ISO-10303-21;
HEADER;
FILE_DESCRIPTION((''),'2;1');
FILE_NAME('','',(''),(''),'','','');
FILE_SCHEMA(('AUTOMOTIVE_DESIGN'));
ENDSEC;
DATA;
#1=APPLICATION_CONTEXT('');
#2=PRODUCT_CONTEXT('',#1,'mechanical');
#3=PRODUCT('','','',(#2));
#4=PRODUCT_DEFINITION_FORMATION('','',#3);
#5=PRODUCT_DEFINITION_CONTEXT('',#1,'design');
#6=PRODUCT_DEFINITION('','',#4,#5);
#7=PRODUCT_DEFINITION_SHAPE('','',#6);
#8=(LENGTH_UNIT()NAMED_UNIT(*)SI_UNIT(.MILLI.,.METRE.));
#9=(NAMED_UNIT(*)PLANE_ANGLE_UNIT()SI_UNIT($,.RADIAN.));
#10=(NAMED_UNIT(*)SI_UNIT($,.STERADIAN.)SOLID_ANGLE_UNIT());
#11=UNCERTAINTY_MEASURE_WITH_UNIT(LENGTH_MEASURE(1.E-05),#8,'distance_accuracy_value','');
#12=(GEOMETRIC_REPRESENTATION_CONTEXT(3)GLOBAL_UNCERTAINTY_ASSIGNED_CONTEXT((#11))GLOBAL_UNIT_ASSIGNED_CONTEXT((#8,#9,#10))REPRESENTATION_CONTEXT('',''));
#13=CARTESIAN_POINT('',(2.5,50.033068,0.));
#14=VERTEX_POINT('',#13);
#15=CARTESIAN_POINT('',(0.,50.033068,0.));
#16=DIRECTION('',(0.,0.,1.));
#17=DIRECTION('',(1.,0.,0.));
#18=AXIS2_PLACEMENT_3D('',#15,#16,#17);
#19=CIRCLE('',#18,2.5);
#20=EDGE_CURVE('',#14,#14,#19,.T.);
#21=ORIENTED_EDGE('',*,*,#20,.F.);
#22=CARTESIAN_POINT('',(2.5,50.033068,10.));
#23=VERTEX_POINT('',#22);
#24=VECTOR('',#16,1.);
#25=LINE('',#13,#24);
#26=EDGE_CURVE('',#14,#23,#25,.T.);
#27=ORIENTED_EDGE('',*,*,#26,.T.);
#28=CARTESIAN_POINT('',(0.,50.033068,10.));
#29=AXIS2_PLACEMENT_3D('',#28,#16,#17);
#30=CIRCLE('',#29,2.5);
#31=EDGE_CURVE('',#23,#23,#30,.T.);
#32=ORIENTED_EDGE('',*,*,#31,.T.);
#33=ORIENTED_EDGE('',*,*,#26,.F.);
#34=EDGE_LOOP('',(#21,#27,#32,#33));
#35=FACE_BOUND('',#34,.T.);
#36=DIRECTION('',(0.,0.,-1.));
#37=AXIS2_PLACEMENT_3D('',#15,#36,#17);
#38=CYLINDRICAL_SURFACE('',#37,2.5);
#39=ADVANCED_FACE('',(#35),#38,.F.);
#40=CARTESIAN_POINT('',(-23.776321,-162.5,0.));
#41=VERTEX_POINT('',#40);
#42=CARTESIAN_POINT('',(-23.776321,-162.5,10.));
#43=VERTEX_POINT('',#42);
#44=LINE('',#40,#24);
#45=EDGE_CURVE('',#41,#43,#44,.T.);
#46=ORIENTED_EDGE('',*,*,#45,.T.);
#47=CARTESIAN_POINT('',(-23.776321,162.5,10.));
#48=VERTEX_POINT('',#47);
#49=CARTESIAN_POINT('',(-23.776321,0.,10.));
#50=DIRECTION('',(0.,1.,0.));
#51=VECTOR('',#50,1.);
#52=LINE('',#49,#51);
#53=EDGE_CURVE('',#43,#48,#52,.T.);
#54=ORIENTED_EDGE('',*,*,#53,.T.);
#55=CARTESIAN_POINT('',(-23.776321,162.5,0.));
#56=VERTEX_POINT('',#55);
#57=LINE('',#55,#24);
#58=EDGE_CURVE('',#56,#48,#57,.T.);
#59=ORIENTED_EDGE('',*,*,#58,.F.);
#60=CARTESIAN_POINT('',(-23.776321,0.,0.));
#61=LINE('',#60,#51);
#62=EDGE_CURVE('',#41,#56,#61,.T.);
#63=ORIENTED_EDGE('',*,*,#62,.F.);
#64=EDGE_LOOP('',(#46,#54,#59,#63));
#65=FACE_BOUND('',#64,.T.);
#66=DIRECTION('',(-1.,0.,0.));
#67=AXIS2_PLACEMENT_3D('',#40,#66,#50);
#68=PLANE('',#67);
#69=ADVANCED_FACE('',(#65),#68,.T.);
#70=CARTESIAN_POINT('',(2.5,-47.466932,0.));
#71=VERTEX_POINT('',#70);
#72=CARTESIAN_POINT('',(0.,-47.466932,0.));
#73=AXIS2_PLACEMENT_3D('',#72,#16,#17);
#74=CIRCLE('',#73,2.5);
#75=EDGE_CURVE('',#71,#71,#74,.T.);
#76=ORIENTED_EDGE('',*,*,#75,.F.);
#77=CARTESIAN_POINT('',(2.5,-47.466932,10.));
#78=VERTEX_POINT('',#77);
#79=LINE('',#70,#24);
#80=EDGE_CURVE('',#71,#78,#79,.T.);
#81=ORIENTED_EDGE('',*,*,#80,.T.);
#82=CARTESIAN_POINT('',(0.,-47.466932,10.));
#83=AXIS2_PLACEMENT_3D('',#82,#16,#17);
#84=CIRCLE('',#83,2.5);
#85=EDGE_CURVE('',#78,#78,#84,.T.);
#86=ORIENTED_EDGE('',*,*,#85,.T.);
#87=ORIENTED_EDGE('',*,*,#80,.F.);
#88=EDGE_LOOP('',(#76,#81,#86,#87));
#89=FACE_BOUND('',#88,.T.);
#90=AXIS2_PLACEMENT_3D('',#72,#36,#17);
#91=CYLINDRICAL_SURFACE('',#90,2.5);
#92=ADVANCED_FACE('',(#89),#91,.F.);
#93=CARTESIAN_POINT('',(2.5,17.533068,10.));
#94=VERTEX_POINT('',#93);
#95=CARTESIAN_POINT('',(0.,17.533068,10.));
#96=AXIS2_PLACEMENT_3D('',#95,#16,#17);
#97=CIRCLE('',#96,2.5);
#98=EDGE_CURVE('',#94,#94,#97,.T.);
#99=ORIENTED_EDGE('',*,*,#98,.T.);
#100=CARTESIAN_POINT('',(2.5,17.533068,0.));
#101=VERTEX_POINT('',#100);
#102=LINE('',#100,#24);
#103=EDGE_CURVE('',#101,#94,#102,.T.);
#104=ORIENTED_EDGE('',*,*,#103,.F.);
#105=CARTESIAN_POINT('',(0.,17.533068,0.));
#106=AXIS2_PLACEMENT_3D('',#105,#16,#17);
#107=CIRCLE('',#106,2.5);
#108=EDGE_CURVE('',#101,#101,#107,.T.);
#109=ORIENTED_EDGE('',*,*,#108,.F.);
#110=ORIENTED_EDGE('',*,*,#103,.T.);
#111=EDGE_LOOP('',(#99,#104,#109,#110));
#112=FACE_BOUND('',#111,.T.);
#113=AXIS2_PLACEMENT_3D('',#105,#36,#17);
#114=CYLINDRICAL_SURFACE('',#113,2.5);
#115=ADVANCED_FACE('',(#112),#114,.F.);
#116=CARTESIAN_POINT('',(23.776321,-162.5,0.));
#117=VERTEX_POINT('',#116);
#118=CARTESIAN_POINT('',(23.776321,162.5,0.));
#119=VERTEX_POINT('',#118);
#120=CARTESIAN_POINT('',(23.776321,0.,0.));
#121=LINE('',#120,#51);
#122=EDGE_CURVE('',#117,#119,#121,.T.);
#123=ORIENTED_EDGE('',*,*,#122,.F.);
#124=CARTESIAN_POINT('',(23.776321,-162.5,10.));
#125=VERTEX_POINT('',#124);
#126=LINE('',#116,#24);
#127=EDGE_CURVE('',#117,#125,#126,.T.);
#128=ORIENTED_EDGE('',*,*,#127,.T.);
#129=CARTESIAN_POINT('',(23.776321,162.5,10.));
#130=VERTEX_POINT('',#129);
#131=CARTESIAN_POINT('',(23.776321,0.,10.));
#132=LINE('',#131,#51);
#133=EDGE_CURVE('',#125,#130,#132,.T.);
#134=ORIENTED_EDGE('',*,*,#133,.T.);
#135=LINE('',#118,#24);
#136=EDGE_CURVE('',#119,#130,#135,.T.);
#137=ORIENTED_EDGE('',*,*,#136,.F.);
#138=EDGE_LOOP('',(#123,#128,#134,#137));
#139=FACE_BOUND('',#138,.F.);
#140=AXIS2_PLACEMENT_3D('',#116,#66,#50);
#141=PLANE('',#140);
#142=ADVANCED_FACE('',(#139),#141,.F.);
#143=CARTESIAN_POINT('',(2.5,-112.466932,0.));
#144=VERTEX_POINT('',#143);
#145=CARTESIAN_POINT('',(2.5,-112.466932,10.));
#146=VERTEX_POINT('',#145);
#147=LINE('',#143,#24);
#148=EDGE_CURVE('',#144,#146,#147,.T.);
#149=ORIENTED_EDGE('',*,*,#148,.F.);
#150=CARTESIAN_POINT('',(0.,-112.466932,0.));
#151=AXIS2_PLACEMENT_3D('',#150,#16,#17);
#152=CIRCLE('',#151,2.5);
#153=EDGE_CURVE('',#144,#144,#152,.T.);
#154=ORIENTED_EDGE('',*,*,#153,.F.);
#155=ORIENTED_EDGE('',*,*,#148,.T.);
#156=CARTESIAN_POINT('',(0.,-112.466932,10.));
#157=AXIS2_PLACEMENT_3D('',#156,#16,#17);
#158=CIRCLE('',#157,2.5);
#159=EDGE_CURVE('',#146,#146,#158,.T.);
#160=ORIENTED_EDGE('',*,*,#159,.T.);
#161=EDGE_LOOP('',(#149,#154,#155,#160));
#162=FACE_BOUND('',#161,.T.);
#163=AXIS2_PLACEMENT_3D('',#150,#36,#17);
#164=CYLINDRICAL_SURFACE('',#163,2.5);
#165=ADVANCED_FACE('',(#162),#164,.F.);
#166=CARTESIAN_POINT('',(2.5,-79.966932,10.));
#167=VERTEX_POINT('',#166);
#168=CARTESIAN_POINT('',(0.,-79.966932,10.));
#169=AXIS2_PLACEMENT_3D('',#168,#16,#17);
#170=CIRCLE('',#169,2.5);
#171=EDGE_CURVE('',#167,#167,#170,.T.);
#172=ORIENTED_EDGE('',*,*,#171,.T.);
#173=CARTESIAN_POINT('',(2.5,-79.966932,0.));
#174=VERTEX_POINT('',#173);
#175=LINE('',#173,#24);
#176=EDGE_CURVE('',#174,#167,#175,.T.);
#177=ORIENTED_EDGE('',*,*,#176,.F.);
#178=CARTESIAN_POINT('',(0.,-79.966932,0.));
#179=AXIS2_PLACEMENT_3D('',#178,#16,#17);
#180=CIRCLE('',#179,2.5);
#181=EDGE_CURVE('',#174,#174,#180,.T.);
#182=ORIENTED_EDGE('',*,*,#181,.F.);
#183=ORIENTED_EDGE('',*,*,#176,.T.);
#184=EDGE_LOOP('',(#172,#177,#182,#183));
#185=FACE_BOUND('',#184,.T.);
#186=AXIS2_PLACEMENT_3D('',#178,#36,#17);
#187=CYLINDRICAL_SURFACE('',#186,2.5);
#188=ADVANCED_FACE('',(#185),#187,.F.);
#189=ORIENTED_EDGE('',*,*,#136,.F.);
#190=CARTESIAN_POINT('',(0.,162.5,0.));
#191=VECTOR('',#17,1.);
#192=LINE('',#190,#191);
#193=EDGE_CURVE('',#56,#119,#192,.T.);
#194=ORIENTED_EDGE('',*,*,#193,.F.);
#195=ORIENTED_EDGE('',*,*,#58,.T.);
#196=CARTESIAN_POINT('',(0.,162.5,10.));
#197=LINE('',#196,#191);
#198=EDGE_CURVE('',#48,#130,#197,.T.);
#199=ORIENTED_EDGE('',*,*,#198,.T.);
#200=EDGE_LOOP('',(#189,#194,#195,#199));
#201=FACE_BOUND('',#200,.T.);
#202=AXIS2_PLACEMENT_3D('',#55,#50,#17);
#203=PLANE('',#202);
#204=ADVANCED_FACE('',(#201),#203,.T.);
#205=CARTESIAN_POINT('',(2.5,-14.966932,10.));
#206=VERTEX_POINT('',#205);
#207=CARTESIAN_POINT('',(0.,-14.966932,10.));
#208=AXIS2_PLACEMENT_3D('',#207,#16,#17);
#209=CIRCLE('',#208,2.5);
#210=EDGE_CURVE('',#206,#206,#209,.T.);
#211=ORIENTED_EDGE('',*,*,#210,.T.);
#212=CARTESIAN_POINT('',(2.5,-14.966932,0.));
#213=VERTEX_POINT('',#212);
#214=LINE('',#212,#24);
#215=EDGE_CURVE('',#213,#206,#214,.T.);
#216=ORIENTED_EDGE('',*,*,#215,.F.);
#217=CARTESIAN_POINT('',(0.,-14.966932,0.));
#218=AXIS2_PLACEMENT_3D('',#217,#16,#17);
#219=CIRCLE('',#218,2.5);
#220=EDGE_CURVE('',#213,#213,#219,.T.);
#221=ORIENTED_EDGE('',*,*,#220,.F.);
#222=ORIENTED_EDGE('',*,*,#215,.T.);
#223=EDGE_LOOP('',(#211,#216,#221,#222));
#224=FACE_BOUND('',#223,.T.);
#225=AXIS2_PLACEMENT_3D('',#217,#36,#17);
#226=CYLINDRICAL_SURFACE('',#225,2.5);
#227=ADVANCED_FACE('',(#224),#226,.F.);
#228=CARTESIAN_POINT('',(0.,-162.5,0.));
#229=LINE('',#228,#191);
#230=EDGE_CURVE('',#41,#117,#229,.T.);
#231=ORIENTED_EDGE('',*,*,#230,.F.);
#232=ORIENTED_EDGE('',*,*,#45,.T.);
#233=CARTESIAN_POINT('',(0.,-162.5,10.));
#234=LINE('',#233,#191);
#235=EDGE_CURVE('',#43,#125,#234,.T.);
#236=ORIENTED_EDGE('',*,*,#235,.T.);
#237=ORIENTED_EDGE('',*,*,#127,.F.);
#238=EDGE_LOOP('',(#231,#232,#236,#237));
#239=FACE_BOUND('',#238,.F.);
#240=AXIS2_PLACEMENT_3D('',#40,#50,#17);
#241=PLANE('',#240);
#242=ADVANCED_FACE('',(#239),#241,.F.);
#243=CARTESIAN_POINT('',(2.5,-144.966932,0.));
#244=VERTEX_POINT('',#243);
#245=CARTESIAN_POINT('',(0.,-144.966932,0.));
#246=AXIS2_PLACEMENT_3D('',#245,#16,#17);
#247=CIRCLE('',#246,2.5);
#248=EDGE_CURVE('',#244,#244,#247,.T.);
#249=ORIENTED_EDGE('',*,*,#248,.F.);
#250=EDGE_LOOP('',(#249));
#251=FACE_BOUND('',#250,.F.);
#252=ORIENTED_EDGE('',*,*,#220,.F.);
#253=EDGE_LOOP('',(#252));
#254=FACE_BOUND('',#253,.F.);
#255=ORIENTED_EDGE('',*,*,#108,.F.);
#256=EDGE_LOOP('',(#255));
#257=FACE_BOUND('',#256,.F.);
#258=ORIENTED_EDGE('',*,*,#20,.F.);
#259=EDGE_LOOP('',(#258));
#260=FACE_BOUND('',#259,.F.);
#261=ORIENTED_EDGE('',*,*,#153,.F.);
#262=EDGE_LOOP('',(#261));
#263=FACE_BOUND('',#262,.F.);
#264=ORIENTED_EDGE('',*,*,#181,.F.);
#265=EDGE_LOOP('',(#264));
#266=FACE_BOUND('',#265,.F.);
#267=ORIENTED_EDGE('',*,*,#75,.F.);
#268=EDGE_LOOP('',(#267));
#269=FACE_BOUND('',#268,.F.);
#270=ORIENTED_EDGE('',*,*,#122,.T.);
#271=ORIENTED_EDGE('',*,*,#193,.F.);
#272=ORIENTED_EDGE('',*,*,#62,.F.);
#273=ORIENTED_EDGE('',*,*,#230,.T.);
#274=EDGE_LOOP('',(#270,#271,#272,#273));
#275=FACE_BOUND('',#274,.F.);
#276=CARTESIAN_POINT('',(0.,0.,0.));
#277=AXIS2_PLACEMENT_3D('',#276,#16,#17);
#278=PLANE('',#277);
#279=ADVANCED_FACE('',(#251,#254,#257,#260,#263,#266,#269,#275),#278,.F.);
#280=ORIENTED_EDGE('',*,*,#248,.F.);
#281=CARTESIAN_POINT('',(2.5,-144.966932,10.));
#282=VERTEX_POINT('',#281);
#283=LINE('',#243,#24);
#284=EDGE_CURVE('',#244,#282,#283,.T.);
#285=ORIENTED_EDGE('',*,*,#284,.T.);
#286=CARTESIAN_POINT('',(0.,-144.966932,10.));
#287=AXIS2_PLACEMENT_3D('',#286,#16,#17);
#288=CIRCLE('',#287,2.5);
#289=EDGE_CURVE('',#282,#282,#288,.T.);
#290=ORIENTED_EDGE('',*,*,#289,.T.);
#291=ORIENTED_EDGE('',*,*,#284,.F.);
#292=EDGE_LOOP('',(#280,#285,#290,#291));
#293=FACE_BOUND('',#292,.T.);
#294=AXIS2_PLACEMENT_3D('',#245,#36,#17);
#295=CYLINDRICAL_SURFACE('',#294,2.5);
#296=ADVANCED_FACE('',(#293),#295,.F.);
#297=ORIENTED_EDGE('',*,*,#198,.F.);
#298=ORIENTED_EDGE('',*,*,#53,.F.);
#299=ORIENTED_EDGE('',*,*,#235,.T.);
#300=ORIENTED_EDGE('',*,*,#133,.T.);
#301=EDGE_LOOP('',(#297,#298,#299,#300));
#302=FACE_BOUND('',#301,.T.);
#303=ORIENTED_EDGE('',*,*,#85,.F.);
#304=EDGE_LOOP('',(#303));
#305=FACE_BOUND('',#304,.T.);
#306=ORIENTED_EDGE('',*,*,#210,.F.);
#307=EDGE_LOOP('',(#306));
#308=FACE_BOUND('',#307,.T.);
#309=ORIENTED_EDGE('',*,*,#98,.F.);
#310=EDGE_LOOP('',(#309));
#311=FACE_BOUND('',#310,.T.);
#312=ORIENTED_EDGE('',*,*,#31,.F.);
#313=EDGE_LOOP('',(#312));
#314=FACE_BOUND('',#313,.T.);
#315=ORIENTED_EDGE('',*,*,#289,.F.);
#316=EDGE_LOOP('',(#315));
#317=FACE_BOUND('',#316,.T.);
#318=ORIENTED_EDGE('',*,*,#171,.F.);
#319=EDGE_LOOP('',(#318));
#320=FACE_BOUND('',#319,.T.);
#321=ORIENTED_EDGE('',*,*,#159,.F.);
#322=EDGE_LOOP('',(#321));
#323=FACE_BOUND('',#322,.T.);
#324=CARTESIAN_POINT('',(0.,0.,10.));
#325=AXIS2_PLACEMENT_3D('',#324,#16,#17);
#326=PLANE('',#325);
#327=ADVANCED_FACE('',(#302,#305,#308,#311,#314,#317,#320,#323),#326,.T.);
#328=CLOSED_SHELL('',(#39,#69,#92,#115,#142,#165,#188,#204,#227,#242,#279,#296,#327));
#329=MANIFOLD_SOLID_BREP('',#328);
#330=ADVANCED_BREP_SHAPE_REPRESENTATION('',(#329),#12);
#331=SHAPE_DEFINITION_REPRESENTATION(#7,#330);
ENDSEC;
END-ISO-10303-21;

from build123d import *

# Parameters (mm, degrees)
F0_W     = 47.552642
F0_H     = 325
F0_R     = 2.5
F1_DEPTH = 10


with BuildPart() as f1:
    # F0 (on Top) → F1 (new body)
    with BuildSketch(Plane.XY):
        Rectangle(F0_W, F0_H)
        with Locations((0, -144.966932)):
            Circle(F0_R, mode=Mode.SUBTRACT)
        with Locations((0, -112.466932)):
            Circle(F0_R, mode=Mode.SUBTRACT)
        with Locations((0, -79.966932)):
            Circle(F0_R, mode=Mode.SUBTRACT)
        with Locations((0, -47.466932)):
            Circle(F0_R, mode=Mode.SUBTRACT)
        with Locations((0, -14.966932)):
            Circle(F0_R, mode=Mode.SUBTRACT)
        with Locations((0, 17.533068)):
            Circle(F0_R, mode=Mode.SUBTRACT)
        with Locations((0, 50.033068)):
            Circle(F0_R, mode=Mode.SUBTRACT)
    extrude(amount=F1_DEPTH)


solid = f1.part
